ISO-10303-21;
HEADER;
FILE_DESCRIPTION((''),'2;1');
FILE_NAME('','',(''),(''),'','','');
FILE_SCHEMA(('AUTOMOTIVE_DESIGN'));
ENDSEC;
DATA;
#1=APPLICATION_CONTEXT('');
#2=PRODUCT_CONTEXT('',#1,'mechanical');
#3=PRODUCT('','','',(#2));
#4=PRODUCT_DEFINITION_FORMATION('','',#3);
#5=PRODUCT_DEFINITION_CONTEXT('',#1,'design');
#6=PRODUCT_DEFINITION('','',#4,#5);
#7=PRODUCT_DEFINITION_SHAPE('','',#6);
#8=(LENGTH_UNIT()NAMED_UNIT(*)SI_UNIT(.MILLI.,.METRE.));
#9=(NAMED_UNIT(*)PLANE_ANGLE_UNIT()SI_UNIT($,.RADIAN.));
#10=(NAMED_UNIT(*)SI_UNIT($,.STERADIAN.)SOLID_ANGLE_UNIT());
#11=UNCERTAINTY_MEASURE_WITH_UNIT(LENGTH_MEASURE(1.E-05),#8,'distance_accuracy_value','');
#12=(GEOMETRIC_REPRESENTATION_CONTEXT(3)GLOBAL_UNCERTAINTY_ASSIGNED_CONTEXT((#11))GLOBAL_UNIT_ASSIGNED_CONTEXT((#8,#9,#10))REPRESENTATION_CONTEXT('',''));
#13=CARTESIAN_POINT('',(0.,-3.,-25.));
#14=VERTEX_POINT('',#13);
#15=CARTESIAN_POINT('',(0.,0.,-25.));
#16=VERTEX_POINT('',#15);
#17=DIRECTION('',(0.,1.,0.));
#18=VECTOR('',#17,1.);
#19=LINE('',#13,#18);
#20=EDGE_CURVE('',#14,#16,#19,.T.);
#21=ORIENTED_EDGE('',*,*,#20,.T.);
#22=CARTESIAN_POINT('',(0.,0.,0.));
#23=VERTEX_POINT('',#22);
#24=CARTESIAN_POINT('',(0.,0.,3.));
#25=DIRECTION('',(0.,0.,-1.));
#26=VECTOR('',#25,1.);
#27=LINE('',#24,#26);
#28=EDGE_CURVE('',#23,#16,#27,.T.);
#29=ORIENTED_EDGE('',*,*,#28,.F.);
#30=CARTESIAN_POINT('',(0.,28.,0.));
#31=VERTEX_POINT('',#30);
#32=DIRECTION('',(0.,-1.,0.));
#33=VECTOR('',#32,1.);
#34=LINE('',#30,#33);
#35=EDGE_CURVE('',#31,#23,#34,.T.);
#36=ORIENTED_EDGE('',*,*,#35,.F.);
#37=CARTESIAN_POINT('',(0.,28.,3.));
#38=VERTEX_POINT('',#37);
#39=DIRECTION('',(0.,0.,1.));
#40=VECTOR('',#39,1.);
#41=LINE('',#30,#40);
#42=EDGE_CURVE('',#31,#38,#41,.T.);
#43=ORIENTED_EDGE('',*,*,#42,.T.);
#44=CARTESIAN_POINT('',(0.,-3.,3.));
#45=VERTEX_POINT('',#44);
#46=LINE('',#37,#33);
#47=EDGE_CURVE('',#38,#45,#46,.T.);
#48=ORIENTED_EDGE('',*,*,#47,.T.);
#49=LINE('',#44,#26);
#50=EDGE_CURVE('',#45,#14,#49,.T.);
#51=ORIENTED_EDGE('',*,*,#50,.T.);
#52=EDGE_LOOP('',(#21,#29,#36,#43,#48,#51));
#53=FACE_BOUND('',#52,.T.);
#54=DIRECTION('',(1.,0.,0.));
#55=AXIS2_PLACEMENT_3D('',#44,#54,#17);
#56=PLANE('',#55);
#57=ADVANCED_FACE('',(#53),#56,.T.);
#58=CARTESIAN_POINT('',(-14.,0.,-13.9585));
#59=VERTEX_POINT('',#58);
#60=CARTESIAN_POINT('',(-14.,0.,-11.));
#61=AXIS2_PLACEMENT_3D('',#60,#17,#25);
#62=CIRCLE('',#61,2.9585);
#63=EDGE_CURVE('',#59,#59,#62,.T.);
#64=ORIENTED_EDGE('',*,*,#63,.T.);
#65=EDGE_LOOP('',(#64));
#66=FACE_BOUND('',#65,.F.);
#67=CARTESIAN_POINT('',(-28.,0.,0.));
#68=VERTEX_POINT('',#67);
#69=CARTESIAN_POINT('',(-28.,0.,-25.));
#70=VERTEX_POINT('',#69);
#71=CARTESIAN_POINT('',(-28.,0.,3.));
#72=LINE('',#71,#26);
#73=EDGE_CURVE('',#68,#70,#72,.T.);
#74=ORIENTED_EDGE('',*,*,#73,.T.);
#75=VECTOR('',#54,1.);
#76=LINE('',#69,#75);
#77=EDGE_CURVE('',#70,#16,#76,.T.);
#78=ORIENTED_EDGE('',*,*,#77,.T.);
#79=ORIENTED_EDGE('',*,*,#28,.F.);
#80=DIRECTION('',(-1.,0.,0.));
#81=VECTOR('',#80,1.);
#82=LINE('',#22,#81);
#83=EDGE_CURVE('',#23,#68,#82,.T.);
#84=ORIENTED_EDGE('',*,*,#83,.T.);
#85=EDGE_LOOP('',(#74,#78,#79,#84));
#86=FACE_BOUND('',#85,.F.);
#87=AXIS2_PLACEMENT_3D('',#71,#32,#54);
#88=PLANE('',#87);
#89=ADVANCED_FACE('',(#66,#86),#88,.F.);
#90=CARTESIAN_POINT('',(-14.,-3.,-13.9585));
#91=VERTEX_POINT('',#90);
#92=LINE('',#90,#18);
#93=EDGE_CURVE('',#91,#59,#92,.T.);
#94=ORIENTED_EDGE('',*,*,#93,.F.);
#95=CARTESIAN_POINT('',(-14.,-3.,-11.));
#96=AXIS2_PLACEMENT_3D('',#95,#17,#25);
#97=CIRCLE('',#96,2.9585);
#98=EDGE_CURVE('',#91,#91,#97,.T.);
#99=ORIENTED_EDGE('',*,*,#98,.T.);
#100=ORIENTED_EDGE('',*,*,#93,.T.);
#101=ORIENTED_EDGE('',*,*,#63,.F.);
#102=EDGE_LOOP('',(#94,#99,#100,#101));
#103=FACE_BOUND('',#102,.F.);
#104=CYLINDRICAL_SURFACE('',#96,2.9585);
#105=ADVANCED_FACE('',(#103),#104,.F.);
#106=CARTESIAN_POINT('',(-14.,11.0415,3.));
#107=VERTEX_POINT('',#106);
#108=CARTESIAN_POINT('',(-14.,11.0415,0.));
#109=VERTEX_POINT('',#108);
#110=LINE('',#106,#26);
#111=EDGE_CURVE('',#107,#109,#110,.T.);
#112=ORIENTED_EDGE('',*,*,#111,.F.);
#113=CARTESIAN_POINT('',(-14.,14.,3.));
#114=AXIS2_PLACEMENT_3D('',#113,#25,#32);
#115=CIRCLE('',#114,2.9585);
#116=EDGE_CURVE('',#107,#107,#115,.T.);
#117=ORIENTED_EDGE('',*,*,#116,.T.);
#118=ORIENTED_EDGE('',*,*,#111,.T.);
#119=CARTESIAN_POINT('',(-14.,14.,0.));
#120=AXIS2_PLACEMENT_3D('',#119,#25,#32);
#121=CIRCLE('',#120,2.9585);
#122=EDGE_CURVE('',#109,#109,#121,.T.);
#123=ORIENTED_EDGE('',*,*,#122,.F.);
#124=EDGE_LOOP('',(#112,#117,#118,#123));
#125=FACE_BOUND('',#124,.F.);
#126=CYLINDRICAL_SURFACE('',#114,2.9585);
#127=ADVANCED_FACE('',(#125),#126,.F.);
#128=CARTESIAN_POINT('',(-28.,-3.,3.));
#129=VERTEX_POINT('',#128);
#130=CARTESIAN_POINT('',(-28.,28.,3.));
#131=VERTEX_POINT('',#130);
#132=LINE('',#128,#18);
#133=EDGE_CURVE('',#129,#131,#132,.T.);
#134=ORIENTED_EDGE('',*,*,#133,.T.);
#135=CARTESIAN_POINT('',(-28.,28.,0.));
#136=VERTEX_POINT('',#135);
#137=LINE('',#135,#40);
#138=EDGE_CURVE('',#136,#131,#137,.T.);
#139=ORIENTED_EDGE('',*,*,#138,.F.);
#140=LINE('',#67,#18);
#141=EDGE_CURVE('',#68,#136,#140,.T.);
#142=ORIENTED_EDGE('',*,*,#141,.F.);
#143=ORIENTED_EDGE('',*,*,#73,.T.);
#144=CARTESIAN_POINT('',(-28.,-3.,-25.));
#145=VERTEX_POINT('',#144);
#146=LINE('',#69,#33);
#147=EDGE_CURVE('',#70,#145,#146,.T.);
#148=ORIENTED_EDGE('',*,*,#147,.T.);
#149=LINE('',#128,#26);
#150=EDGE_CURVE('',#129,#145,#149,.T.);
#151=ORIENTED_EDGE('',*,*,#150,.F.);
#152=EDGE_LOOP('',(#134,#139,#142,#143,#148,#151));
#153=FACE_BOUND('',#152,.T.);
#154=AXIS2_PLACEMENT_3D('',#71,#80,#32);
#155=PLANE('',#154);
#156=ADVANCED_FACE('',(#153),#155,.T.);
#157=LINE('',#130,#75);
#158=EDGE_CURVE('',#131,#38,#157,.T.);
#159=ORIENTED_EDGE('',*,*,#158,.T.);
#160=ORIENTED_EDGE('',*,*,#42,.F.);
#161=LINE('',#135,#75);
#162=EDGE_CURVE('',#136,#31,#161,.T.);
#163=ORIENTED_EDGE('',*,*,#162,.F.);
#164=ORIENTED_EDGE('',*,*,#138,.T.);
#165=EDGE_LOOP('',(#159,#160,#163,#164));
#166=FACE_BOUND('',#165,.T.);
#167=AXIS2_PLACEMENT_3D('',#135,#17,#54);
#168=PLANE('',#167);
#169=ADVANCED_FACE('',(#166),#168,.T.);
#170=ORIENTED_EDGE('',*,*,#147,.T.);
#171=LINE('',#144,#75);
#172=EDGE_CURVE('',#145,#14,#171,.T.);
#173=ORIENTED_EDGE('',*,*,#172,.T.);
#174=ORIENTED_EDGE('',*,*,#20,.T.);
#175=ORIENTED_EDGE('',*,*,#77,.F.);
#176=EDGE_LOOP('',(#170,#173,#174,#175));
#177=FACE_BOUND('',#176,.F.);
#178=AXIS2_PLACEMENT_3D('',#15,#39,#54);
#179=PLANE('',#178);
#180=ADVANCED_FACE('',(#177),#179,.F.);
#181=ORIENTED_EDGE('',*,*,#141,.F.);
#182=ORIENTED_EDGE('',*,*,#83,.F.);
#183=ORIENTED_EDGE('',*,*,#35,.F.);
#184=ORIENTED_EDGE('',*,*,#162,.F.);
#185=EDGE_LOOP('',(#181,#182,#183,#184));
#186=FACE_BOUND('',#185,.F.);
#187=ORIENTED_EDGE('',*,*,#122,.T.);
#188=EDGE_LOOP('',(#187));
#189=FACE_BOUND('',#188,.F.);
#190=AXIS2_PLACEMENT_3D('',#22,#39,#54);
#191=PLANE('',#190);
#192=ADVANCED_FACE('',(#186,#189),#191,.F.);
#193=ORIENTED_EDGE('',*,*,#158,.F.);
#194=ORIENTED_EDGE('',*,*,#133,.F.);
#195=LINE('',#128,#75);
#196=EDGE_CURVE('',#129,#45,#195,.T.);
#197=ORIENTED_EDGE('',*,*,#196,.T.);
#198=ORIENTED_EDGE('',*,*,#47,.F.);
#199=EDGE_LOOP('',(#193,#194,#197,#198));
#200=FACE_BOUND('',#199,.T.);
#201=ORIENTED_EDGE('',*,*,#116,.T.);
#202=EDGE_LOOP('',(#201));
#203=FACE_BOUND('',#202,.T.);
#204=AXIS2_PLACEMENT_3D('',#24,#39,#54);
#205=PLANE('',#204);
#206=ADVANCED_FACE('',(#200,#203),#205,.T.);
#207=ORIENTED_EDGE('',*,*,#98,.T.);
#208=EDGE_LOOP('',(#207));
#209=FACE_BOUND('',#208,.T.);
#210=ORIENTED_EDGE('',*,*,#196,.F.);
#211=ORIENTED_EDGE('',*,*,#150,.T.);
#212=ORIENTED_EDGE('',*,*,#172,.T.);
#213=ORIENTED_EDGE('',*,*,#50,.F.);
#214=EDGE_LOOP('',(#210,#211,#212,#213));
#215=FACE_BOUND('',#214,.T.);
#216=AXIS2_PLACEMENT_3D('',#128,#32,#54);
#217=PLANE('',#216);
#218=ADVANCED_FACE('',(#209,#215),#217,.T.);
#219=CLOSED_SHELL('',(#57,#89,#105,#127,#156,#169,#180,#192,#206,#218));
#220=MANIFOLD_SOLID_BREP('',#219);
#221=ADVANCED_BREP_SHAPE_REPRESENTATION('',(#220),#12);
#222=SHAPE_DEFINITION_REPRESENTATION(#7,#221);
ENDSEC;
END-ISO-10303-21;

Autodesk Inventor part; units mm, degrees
ref_plane "YZ Plane" through (0, 0, 0) normal (1, 0, 0) x (0, 1, 0)
ref_plane "XZ Plane" through (0, 0, 0) normal (0, 1, 0) x (-1, 0, 0)
ref_plane "XY Plane" through (0, 0, 0) normal (0, 0, 1) x (1, 0, 0)
sketch "Sketch1" plane through (0, 0, 0) normal (0, 0, 1) x (1, 0, 0)
  line L0 (-28, 28) -> (0, 28)
  line L1 (0, 28) -> (0, 0)
  line L2 (0, 0) -> (-28, 0)
  line L3 (-28, 0) -> (-28, 28)
  dimension "d0" = 28
  dimension "d1" = 28
extrude "Extrusion1" add sketch "Sketch1" along normal blind 3
sketch "Sketch2" plane through (0, 0, 3) normal (0, 0, 1) x (1, 0, 0)
  line L0 (0, 28) -> (-28, 28) projected
  line L1 (0, 0) -> (0, 28) projected
  point P0 (-14, 14)
  dimension "d4" = 14
  dimension "d5" = 14
hole "Hole1" at (-14, 14, 3) direction (0, 0, -1) diameter 5.917 depth 19.1 tip angle 118 thread size "M7x1" class "6H" standard "ANSI Metric M Profile"
sketch "Sketch3" plane through (0, 0, 3) normal (0, 0, 1) x (1, 0, 0)
  line L0 (-28, 0) -> (0, 0) projected
  line L1 (0, 0) -> (-28, 0)
  line L2 (-28, 0) -> (-28, -3)
  line L3 (-28, -3) -> (0, -3)
  line L4 (0, -3) -> (0, 0)
  line L5 (-28, 28) -> (-28, 0) projected
  dimension "d13" = 3
extrude "Extrusion2" add sketch "Sketch3" against normal blind 28
sketch "Sketch4" plane through (-28, -3, 3) normal (0, -1, 0) x (1, 0, 0)
  line L0 (0, 0) -> (28, 0) projected
  line L1 (28, 0) -> (28, -28) projected
  point P0 (28, -3)
  point P1 (14, -14)
  dimension "d16" = 14
  dimension "d17" = 14
hole "Hole2" at (-14, -3, -11) direction (0, 1, 0) diameter 5.917 depth 19.1 tip angle 118 thread size "M7x1" class "6H" standard "ANSI Metric M Profile"
properties part number "Esquinero"
